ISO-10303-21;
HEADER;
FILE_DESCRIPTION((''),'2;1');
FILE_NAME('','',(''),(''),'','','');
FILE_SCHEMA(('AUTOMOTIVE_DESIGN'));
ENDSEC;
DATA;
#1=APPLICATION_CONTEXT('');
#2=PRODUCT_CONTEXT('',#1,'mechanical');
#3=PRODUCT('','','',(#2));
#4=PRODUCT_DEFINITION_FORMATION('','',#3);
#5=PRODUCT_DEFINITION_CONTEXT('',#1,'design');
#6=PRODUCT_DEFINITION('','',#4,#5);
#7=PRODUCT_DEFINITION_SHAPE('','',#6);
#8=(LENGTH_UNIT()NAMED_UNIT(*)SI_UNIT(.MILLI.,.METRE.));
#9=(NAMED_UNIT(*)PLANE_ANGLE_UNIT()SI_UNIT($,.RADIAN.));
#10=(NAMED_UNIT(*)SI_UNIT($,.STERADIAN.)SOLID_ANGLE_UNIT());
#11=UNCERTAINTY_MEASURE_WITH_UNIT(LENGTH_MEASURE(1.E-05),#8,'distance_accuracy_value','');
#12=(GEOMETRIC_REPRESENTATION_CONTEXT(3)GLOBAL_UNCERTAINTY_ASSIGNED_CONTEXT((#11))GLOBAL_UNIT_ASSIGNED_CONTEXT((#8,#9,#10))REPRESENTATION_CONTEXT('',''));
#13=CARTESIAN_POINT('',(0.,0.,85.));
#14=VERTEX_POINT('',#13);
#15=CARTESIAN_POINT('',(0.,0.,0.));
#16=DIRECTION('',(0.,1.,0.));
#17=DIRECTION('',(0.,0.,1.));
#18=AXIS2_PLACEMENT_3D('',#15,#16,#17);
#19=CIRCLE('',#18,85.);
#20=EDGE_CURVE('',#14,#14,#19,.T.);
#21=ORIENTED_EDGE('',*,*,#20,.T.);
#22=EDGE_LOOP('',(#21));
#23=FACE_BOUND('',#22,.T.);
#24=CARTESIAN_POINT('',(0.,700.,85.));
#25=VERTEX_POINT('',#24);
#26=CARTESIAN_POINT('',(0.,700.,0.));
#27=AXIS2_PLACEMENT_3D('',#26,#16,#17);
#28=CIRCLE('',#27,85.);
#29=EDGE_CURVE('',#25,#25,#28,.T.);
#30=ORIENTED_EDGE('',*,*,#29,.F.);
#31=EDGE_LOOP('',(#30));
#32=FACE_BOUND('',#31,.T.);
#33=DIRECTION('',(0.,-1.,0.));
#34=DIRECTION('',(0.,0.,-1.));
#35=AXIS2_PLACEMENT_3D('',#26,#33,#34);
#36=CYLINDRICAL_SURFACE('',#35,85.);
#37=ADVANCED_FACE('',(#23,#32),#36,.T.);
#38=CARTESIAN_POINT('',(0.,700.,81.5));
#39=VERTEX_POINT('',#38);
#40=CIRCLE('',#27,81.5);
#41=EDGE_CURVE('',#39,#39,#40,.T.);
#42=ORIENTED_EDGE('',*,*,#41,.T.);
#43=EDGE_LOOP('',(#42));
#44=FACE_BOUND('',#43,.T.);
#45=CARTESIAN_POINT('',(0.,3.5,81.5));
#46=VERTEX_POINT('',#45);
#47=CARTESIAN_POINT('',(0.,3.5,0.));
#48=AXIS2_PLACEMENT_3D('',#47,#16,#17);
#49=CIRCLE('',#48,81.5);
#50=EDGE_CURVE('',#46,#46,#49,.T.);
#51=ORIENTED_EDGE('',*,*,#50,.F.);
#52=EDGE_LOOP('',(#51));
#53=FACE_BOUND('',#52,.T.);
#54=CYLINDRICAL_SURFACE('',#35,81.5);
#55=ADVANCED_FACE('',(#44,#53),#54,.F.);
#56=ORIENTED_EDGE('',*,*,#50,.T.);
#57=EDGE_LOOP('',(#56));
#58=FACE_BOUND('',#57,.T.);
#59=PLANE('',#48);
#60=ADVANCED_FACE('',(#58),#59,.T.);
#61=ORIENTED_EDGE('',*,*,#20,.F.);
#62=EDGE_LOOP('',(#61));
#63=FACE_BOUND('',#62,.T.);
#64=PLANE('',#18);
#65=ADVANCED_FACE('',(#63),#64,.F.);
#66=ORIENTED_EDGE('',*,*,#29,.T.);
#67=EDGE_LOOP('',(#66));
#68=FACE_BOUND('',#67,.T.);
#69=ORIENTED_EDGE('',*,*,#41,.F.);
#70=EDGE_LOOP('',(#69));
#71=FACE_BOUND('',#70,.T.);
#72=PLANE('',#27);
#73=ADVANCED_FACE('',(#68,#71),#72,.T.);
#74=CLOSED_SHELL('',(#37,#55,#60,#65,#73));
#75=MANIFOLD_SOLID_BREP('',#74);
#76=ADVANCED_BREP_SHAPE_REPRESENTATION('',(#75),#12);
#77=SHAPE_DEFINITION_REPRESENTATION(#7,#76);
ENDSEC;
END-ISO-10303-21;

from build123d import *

# Parameters (mm, degrees)
CROQUIS1_R              = 85
SALIENTE_EXTRUIR1_DEPTH = 700
VACIADO1_T              = -3.5


with BuildPart() as part:
    # Croquis1 → Saliente-Extruir1 (new body)
    with BuildSketch(Plane(origin=(0, 0, 0), x_dir=(1, 0, 0), z_dir=(0, 1, 0))):
        with Locations(Location((0, 0, 0), (0, 0, 270))):
            Circle(CROQUIS1_R)
    extrude(amount=SALIENTE_EXTRUIR1_DEPTH)

    # Vaciado1
    vaciado1_openings = [part.faces().sort_by_distance(p)[0] for p in [
        (0, 700, 0),
    ]]
    offset(amount=VACIADO1_T, openings=vaciado1_openings, kind=Kind.INTERSECTION)


solid = part.part
